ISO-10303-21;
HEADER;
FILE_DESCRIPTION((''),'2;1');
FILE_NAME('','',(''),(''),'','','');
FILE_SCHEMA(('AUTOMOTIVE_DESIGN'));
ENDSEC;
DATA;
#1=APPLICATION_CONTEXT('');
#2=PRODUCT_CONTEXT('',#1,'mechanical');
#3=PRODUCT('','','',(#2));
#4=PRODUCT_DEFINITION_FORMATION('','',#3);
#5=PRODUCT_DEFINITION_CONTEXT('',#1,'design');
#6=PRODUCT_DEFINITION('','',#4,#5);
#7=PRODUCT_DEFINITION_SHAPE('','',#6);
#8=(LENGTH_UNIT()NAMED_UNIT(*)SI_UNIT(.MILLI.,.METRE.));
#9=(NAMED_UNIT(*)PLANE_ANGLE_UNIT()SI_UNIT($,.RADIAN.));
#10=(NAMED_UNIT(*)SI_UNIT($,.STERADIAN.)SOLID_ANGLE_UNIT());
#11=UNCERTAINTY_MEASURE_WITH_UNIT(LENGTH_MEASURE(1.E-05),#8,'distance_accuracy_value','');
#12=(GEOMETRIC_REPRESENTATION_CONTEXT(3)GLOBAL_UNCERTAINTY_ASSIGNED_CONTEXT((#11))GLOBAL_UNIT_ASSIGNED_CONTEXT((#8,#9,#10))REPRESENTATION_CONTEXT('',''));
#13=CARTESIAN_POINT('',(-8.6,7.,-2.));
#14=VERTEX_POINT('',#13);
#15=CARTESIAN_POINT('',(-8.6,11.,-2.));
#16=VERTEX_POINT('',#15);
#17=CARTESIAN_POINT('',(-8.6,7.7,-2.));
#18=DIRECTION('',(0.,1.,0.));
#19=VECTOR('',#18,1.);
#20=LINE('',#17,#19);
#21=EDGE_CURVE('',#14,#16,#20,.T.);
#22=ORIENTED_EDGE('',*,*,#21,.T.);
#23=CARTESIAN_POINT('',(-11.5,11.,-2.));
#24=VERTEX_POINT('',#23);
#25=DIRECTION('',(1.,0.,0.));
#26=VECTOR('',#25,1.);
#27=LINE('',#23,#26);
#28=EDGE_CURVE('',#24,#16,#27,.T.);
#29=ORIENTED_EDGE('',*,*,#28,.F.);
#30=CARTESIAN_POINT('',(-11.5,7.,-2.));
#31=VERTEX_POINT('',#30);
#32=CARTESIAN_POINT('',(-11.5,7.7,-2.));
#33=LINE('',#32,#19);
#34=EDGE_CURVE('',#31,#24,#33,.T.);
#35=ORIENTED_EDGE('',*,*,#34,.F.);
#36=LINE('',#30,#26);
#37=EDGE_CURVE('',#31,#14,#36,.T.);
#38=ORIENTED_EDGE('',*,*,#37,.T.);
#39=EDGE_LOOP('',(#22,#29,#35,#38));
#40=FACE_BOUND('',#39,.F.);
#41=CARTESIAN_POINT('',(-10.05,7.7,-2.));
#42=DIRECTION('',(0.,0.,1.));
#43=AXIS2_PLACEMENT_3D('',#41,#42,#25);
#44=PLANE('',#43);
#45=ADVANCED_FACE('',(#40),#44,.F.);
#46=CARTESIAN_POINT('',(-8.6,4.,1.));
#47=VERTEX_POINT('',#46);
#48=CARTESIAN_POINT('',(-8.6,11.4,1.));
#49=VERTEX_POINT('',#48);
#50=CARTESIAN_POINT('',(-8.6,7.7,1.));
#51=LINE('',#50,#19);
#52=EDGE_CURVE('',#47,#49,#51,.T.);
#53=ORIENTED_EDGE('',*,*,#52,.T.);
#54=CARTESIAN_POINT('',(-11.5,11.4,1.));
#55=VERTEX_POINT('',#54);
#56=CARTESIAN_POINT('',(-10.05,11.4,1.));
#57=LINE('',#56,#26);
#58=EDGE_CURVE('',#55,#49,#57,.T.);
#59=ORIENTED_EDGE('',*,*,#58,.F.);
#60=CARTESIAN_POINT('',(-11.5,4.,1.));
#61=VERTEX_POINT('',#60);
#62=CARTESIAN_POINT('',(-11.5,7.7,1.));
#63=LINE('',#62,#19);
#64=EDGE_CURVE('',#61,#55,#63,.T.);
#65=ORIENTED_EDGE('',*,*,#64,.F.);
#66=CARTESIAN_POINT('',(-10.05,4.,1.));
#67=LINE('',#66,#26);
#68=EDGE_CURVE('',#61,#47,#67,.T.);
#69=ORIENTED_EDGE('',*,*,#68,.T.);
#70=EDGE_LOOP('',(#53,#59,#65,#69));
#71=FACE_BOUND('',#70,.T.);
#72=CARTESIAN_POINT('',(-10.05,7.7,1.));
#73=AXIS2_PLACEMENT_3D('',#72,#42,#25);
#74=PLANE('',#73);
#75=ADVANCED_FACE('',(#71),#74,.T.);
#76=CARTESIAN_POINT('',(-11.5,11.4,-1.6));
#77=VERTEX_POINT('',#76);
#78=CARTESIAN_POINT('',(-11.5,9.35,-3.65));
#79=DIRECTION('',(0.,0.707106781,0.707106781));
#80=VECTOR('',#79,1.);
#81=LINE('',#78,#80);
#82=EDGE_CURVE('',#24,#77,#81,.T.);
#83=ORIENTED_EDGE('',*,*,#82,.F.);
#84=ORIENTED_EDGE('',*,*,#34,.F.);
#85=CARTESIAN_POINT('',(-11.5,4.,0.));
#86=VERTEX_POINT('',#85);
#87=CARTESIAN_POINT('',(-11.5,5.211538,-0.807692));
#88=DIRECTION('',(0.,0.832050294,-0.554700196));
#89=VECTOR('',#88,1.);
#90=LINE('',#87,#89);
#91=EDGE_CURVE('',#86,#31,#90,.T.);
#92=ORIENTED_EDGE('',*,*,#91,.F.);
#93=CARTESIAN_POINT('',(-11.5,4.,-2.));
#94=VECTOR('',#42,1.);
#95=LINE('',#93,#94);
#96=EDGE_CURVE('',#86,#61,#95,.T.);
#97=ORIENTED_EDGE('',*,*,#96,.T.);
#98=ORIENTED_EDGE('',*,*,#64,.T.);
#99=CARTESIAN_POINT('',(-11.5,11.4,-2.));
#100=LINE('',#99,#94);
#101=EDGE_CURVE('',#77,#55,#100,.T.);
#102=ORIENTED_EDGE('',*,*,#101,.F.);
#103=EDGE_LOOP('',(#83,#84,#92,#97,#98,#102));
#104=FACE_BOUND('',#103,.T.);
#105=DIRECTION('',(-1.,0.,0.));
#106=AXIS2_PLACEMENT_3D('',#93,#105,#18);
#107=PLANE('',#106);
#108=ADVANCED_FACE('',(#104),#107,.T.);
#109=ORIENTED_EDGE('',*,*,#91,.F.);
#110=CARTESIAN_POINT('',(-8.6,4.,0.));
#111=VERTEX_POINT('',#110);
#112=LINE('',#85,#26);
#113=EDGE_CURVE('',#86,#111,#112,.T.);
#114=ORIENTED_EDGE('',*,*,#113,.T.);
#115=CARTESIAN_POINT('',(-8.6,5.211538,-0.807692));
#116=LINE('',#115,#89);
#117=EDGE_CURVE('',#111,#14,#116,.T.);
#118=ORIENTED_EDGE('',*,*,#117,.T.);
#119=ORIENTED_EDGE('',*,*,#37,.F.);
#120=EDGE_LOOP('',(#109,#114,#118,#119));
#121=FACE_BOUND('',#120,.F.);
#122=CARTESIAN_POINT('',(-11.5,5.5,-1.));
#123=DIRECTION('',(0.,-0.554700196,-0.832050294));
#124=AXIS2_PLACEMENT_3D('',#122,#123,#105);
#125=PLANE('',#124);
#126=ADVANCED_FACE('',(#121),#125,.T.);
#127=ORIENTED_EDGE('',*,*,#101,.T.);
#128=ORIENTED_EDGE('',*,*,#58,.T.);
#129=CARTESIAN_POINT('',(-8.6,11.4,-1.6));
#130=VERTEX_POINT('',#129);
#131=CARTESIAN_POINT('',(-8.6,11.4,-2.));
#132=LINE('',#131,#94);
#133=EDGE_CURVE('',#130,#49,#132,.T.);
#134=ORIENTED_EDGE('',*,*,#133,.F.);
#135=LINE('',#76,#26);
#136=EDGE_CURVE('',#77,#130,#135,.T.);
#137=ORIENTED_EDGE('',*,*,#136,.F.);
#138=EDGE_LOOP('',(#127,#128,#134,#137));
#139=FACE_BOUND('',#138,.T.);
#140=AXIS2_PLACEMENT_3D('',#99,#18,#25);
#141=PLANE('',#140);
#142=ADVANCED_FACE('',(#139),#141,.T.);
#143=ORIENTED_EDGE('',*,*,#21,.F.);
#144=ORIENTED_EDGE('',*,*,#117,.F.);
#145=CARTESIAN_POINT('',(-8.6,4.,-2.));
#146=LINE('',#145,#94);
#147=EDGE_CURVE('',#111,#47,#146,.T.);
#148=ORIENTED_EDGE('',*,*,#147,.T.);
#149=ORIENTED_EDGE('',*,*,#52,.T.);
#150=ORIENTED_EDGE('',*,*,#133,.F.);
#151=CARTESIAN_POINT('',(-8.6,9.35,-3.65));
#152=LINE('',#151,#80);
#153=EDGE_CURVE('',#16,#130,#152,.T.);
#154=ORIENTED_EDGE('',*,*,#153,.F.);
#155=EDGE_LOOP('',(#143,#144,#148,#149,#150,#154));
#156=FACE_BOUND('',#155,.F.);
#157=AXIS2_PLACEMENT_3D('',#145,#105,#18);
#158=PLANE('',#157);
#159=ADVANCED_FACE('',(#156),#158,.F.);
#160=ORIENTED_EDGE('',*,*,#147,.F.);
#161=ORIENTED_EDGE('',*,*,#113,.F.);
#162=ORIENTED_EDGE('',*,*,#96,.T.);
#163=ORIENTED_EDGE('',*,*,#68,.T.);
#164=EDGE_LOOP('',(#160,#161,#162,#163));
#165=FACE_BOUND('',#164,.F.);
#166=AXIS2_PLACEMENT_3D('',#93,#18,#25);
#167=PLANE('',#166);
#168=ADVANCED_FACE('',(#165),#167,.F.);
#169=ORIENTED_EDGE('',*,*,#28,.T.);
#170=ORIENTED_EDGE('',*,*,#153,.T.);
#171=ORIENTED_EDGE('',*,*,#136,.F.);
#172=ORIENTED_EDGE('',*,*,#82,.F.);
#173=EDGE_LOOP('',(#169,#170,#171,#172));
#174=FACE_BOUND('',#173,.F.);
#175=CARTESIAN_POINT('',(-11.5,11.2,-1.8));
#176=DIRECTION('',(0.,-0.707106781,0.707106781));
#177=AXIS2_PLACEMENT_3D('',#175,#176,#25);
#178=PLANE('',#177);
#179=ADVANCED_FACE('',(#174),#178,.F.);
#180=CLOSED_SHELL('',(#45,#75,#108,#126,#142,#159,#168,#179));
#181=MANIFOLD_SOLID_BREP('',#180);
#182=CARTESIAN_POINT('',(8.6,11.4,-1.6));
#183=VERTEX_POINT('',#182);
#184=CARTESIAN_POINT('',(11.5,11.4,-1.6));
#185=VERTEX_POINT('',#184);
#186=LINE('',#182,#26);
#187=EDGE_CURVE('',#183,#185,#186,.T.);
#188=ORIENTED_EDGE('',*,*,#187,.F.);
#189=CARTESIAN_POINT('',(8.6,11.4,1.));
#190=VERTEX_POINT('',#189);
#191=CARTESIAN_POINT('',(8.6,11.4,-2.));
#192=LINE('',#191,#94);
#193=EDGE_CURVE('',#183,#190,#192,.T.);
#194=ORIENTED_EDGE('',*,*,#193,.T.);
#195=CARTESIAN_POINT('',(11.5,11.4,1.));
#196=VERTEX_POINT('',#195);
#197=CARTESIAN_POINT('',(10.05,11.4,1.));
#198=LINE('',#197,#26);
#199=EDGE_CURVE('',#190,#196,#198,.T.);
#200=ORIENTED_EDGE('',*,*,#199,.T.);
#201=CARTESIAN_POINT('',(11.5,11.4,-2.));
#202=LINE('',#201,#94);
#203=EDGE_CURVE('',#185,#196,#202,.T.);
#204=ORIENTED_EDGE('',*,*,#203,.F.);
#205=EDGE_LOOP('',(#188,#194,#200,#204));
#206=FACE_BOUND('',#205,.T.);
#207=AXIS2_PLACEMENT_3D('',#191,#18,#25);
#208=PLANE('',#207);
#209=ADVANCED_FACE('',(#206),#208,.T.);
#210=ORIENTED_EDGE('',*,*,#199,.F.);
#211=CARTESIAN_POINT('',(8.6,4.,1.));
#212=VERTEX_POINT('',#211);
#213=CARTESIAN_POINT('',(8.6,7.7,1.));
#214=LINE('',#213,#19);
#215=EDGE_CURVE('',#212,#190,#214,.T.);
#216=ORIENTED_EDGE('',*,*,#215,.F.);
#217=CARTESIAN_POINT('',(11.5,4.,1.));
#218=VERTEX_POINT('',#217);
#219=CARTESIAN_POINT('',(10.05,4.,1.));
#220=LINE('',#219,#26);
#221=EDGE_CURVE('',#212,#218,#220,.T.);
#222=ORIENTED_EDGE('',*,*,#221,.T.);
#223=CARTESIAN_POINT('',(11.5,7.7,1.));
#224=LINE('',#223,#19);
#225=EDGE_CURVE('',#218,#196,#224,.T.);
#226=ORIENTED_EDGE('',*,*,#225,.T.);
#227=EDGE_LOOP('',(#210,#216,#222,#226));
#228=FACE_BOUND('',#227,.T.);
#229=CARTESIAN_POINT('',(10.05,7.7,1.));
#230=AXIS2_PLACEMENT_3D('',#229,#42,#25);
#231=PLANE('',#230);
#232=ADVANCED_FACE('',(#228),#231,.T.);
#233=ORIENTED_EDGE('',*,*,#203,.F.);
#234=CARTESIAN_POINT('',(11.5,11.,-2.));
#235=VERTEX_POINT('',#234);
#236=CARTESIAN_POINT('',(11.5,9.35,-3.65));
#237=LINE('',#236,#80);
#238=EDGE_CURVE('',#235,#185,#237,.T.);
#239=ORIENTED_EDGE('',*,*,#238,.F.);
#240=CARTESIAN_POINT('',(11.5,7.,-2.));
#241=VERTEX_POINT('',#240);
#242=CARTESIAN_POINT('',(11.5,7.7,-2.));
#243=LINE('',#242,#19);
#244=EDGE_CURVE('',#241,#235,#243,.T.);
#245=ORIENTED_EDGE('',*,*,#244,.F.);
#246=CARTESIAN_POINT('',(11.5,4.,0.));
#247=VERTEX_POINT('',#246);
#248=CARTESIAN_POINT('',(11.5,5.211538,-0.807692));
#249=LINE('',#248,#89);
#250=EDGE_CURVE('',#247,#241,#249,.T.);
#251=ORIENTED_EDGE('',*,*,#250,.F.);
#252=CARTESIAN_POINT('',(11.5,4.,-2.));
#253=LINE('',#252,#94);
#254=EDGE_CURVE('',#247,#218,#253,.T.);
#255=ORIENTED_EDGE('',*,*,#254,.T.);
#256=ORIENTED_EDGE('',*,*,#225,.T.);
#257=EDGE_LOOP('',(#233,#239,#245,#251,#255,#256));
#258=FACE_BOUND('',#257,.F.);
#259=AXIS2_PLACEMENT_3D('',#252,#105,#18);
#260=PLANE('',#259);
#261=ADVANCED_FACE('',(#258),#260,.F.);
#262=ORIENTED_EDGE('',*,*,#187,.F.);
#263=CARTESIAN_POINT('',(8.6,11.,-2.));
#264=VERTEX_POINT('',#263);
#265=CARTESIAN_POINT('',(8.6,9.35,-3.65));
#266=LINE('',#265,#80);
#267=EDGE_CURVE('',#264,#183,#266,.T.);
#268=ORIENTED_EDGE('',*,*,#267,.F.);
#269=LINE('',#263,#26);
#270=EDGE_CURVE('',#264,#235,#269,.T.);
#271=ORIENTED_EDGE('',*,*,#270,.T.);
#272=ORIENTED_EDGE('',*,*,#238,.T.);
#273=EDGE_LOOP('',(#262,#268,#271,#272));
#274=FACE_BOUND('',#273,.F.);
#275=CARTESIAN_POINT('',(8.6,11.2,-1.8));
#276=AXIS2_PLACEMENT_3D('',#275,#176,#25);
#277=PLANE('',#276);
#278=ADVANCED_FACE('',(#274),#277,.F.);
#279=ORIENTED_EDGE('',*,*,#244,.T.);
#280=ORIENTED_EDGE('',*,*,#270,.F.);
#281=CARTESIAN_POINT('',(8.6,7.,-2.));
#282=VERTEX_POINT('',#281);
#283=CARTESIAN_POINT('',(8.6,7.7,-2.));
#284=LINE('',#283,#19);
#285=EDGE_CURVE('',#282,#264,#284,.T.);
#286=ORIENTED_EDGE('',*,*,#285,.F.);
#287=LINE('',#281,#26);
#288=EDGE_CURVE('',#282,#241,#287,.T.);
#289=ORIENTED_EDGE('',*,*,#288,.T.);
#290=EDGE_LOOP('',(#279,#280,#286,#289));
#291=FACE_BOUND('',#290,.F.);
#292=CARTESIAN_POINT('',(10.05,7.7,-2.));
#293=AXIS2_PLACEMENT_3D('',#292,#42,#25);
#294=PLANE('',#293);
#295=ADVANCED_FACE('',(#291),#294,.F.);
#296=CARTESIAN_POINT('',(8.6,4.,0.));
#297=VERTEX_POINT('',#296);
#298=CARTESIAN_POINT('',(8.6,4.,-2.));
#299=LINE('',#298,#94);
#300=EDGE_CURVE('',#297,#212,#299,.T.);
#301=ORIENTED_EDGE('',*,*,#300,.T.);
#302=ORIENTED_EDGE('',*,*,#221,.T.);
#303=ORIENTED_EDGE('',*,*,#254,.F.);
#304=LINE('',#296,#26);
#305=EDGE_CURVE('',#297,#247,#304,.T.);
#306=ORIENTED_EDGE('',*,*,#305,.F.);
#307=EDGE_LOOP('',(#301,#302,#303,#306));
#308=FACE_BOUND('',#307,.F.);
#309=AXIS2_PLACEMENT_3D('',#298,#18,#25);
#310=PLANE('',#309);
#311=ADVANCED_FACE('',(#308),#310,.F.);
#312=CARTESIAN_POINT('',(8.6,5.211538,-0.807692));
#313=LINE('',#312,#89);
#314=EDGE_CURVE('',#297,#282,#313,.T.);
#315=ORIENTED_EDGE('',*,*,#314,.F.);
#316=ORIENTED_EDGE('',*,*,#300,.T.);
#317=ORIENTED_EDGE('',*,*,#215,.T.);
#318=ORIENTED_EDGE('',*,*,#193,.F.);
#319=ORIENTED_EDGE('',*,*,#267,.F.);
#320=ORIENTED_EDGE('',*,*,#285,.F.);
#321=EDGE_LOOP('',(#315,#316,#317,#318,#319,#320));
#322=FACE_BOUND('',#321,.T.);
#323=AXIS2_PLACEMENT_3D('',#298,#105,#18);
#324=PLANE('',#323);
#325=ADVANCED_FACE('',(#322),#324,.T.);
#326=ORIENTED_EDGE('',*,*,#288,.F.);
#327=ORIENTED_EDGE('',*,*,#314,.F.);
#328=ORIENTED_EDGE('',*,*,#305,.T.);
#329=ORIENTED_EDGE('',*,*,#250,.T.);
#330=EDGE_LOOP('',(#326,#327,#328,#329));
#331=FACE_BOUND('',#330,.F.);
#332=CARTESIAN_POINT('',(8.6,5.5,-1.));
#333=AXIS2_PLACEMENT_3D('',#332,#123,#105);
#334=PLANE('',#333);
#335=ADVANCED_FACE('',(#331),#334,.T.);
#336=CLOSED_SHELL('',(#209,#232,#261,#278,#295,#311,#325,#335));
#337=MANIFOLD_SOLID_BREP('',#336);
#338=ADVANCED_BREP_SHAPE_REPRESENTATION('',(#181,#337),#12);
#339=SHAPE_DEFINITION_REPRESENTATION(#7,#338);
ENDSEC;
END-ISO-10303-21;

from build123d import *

# Parameters (mm, degrees)
BOX002_W        = 2.9
BOX002_H        = 7.4
BOX002_DEPTH    = 3
BOX001_W        = 2.9
BOX001_H        = 7.4
BOX001_DEPTH    = 3
CHAMFER_1_SIZE2 = 3
CHAMFER_1_SIZE  = 2
CHAMFER_2_SIZE2 = 3
CHAMFER_2_SIZE  = 2
CHAMFER004_SIZE = 0.4


with BuildPart() as cube002:
    # Box002 → Box002 (new body)
    with BuildSketch(Plane(origin=(-11.5, 4, -2), x_dir=(1, 0, 0), z_dir=(0, 0, 1))):
        with Locations((1.45, 3.7)):
            Rectangle(BOX002_W, BOX002_H)
    extrude(amount=BOX002_DEPTH)


with BuildPart() as align_arm:
    # Box001 → Box001 (new body)
    with BuildSketch(Plane(origin=(8.6, 4, -2), x_dir=(1, 0, 0), z_dir=(0, 0, 1))):
        with Locations((1.45, 3.7)):
            Rectangle(BOX001_W, BOX001_H)
    extrude(amount=BOX001_DEPTH)

    # Fusion001: union Cube002
    add(cube002.part)

    # Chamfer 1
    chamfer_1_edges = [align_arm.edges().sort_by_distance(p)[0] for p in [
        (-10.05, 4, -2),
    ]]
    chamfer_1_side = align_arm.faces().sort_by_distance((-10.05, 4, -0.5))[0]
    chamfer(chamfer_1_edges, length=CHAMFER_1_SIZE, length2=CHAMFER_1_SIZE2, reference=chamfer_1_side)

    # Chamfer 2
    chamfer_2_edges = [align_arm.edges().sort_by_distance(p)[0] for p in [
        (10.05, 4, -2),
    ]]
    chamfer_2_side = align_arm.faces().sort_by_distance((10.05, 4, -0.5))[0]
    chamfer(chamfer_2_edges, length=CHAMFER_2_SIZE, length2=CHAMFER_2_SIZE2, reference=chamfer_2_side)

    # Chamfer004
    chamfer004_edges = [align_arm.edges().sort_by_distance(p)[0] for p in [
        (10.05, 11.4, -2),
        (-10.05, 11.4, -2),
    ]]
    chamfer(chamfer004_edges, length=CHAMFER004_SIZE)


solid = align_arm.part
